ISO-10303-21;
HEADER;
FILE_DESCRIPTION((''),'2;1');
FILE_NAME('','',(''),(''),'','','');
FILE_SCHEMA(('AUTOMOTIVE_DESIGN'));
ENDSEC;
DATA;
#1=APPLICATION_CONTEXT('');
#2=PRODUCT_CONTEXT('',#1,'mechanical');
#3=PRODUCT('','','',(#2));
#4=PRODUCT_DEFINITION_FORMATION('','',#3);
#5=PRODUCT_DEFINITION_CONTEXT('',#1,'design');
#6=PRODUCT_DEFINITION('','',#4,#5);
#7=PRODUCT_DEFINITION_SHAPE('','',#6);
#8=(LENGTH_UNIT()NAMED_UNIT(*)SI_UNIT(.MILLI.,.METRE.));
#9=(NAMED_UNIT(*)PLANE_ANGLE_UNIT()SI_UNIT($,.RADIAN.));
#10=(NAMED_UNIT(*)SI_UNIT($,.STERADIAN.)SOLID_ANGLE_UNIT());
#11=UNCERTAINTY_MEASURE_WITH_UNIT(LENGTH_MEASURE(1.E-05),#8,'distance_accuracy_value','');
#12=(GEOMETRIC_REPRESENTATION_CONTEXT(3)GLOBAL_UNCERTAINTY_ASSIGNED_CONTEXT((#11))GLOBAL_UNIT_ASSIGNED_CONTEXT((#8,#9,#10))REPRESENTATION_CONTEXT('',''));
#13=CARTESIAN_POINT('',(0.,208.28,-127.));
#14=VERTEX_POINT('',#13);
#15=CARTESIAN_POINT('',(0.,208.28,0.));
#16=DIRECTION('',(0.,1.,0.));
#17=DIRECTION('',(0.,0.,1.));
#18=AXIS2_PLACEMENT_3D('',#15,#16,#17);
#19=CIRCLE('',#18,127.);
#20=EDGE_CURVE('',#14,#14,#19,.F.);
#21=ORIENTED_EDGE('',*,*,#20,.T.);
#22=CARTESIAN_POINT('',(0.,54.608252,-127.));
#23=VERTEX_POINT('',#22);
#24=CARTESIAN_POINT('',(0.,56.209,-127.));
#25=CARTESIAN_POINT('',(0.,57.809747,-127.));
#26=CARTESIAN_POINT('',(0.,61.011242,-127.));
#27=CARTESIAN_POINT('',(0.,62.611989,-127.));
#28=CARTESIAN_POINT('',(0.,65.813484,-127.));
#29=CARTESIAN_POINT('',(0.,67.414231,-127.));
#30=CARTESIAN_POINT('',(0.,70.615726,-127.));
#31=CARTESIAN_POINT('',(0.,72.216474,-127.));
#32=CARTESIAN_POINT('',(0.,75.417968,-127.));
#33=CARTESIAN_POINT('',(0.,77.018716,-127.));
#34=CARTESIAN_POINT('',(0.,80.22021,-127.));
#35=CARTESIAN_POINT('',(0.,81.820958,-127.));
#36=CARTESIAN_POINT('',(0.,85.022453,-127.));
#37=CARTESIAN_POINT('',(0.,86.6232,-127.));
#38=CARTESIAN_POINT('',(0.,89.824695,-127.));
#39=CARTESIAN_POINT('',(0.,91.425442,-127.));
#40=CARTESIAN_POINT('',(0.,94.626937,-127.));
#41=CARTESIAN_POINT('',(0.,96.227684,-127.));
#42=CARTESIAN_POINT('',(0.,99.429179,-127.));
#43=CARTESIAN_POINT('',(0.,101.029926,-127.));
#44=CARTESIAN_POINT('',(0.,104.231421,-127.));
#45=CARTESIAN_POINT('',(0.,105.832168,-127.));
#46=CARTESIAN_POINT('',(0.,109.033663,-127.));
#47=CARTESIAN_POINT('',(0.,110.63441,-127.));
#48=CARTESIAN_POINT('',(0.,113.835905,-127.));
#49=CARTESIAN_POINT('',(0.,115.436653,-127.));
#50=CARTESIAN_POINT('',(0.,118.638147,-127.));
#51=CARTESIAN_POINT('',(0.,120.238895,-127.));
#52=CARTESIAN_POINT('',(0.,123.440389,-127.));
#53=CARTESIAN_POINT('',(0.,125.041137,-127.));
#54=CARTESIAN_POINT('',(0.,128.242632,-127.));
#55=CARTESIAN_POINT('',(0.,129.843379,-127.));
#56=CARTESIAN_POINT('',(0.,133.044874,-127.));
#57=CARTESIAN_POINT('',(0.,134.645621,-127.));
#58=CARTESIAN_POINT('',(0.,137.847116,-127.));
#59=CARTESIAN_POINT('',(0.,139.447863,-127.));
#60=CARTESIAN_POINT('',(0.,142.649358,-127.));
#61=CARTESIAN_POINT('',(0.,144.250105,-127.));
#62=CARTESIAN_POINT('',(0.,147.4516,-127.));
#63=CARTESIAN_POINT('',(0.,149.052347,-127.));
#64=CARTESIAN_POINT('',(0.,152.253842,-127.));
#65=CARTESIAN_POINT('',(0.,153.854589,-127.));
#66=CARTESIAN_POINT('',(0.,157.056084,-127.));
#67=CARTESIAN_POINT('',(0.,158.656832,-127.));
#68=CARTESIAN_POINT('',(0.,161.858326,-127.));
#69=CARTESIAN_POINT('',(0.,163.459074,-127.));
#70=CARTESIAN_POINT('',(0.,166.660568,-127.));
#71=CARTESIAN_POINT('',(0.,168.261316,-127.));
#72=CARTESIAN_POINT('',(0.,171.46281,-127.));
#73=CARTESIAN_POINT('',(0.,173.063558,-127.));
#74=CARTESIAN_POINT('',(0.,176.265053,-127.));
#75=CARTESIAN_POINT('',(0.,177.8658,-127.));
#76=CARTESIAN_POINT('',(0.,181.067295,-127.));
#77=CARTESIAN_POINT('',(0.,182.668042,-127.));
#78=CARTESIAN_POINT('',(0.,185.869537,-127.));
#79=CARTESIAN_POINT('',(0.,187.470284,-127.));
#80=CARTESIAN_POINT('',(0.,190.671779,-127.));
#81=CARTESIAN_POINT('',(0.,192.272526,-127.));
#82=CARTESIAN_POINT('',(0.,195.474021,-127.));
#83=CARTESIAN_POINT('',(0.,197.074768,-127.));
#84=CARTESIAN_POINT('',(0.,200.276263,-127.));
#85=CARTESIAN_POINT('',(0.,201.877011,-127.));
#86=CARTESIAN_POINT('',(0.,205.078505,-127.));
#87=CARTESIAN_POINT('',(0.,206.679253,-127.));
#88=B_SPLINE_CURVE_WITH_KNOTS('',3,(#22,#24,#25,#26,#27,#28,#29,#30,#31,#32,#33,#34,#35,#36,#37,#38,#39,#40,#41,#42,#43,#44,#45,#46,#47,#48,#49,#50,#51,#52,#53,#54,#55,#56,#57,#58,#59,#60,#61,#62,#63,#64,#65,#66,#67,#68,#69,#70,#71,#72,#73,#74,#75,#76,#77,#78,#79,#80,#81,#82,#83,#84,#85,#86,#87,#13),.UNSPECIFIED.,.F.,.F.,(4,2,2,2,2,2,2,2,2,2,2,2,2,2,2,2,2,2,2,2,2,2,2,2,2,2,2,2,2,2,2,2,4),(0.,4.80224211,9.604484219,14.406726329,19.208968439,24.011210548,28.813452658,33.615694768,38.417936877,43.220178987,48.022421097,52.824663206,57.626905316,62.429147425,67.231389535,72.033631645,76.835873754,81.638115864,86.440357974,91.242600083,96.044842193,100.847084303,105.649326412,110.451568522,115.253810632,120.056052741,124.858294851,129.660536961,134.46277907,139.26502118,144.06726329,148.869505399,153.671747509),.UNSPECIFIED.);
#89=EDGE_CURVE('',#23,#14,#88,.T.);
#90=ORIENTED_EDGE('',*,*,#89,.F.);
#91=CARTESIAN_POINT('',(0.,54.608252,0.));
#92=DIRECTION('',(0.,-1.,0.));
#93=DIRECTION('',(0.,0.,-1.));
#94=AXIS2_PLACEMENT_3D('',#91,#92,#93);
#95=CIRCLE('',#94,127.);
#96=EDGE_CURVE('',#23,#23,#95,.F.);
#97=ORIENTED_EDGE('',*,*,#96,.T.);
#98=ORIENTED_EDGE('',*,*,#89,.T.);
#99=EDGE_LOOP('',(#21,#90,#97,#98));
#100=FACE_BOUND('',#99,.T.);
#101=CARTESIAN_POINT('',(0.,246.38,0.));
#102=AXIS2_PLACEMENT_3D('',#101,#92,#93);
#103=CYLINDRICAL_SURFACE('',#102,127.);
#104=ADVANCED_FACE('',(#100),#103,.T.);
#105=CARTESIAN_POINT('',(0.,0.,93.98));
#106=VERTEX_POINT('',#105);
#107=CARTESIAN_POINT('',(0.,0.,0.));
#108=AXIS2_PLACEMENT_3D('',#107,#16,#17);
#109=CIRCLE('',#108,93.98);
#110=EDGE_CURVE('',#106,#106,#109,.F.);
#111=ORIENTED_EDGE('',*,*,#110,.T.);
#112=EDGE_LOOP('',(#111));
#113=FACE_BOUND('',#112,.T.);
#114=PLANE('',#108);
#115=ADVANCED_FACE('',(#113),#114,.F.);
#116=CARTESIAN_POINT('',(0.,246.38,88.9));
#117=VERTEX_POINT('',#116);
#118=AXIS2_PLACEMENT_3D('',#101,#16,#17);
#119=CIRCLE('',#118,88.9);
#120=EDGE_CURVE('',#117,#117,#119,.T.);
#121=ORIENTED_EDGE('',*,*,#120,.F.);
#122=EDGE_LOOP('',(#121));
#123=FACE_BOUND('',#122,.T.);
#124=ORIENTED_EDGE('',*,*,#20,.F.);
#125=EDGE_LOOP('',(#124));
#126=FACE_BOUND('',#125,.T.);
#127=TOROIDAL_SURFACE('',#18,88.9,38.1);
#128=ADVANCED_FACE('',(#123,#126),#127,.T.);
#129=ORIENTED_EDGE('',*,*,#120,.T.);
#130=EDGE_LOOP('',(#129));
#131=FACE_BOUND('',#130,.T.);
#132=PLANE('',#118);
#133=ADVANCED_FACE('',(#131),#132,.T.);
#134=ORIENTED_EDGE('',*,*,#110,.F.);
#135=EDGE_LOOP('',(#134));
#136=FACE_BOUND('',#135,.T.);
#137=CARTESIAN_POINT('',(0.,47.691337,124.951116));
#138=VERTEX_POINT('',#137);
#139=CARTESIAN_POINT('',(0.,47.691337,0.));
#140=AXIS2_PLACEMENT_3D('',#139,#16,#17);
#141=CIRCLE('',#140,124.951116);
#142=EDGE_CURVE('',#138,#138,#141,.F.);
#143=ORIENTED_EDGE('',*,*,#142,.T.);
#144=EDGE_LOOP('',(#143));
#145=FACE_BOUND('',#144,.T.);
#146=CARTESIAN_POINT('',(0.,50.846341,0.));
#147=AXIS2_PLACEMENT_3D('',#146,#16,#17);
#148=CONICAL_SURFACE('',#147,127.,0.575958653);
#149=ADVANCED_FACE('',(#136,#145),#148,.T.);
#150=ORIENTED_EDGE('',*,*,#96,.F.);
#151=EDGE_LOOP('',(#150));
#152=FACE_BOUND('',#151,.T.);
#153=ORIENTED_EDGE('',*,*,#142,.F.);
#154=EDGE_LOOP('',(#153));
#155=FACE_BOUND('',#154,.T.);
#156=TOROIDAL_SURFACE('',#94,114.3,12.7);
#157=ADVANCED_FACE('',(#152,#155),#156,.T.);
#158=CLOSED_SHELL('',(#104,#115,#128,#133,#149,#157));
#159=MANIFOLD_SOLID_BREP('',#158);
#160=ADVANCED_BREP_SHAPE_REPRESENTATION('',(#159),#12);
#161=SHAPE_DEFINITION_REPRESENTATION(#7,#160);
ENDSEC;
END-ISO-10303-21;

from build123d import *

# Parameters (mm, degrees)
SKETCH1_R           = 127
BOSS_EXTRUDE1_DEPTH = 246.38
FILLET1_R           = 38.1
CHAMFER1_SIZE       = 33.02
CHAMFER1_SIZE2      = 50.846341105
FILLET2_R           = 12.7


with BuildPart() as part:
    # Sketch1 → Boss-Extrude1 (new body)
    with BuildSketch(Plane(origin=(0, 0, 0), x_dir=(1, 0, 0), z_dir=(0, 1, 0))):
        with Locations(Location((0, 0, 0), (0, 0, 90))):
            Circle(SKETCH1_R)
    extrude(amount=BOSS_EXTRUDE1_DEPTH)

    # Fillet1
    fillet1_edges = [part.edges().sort_by_distance(p)[0] for p in [
        (0, 246.38, 127),
    ]]
    fillet(fillet1_edges, radius=FILLET1_R)

    # Chamfer1
    chamfer1_edges = [part.edges().sort_by_distance(p)[0] for p in [
        (0, 0, 127),
    ]]
    chamfer1_side = [part.faces().sort_by_distance(p)[0] for p in [
        (0, 0, 0),
    ]]
    chamfer(chamfer1_edges, length=CHAMFER1_SIZE, length2=CHAMFER1_SIZE2, reference=chamfer1_side[0])

    # Fillet2
    fillet2_edges = [part.edges().sort_by_distance(p)[0] for p in [
        (0, 50.846341105, 127),
    ]]
    fillet(fillet2_edges, radius=FILLET2_R)


solid = part.part
